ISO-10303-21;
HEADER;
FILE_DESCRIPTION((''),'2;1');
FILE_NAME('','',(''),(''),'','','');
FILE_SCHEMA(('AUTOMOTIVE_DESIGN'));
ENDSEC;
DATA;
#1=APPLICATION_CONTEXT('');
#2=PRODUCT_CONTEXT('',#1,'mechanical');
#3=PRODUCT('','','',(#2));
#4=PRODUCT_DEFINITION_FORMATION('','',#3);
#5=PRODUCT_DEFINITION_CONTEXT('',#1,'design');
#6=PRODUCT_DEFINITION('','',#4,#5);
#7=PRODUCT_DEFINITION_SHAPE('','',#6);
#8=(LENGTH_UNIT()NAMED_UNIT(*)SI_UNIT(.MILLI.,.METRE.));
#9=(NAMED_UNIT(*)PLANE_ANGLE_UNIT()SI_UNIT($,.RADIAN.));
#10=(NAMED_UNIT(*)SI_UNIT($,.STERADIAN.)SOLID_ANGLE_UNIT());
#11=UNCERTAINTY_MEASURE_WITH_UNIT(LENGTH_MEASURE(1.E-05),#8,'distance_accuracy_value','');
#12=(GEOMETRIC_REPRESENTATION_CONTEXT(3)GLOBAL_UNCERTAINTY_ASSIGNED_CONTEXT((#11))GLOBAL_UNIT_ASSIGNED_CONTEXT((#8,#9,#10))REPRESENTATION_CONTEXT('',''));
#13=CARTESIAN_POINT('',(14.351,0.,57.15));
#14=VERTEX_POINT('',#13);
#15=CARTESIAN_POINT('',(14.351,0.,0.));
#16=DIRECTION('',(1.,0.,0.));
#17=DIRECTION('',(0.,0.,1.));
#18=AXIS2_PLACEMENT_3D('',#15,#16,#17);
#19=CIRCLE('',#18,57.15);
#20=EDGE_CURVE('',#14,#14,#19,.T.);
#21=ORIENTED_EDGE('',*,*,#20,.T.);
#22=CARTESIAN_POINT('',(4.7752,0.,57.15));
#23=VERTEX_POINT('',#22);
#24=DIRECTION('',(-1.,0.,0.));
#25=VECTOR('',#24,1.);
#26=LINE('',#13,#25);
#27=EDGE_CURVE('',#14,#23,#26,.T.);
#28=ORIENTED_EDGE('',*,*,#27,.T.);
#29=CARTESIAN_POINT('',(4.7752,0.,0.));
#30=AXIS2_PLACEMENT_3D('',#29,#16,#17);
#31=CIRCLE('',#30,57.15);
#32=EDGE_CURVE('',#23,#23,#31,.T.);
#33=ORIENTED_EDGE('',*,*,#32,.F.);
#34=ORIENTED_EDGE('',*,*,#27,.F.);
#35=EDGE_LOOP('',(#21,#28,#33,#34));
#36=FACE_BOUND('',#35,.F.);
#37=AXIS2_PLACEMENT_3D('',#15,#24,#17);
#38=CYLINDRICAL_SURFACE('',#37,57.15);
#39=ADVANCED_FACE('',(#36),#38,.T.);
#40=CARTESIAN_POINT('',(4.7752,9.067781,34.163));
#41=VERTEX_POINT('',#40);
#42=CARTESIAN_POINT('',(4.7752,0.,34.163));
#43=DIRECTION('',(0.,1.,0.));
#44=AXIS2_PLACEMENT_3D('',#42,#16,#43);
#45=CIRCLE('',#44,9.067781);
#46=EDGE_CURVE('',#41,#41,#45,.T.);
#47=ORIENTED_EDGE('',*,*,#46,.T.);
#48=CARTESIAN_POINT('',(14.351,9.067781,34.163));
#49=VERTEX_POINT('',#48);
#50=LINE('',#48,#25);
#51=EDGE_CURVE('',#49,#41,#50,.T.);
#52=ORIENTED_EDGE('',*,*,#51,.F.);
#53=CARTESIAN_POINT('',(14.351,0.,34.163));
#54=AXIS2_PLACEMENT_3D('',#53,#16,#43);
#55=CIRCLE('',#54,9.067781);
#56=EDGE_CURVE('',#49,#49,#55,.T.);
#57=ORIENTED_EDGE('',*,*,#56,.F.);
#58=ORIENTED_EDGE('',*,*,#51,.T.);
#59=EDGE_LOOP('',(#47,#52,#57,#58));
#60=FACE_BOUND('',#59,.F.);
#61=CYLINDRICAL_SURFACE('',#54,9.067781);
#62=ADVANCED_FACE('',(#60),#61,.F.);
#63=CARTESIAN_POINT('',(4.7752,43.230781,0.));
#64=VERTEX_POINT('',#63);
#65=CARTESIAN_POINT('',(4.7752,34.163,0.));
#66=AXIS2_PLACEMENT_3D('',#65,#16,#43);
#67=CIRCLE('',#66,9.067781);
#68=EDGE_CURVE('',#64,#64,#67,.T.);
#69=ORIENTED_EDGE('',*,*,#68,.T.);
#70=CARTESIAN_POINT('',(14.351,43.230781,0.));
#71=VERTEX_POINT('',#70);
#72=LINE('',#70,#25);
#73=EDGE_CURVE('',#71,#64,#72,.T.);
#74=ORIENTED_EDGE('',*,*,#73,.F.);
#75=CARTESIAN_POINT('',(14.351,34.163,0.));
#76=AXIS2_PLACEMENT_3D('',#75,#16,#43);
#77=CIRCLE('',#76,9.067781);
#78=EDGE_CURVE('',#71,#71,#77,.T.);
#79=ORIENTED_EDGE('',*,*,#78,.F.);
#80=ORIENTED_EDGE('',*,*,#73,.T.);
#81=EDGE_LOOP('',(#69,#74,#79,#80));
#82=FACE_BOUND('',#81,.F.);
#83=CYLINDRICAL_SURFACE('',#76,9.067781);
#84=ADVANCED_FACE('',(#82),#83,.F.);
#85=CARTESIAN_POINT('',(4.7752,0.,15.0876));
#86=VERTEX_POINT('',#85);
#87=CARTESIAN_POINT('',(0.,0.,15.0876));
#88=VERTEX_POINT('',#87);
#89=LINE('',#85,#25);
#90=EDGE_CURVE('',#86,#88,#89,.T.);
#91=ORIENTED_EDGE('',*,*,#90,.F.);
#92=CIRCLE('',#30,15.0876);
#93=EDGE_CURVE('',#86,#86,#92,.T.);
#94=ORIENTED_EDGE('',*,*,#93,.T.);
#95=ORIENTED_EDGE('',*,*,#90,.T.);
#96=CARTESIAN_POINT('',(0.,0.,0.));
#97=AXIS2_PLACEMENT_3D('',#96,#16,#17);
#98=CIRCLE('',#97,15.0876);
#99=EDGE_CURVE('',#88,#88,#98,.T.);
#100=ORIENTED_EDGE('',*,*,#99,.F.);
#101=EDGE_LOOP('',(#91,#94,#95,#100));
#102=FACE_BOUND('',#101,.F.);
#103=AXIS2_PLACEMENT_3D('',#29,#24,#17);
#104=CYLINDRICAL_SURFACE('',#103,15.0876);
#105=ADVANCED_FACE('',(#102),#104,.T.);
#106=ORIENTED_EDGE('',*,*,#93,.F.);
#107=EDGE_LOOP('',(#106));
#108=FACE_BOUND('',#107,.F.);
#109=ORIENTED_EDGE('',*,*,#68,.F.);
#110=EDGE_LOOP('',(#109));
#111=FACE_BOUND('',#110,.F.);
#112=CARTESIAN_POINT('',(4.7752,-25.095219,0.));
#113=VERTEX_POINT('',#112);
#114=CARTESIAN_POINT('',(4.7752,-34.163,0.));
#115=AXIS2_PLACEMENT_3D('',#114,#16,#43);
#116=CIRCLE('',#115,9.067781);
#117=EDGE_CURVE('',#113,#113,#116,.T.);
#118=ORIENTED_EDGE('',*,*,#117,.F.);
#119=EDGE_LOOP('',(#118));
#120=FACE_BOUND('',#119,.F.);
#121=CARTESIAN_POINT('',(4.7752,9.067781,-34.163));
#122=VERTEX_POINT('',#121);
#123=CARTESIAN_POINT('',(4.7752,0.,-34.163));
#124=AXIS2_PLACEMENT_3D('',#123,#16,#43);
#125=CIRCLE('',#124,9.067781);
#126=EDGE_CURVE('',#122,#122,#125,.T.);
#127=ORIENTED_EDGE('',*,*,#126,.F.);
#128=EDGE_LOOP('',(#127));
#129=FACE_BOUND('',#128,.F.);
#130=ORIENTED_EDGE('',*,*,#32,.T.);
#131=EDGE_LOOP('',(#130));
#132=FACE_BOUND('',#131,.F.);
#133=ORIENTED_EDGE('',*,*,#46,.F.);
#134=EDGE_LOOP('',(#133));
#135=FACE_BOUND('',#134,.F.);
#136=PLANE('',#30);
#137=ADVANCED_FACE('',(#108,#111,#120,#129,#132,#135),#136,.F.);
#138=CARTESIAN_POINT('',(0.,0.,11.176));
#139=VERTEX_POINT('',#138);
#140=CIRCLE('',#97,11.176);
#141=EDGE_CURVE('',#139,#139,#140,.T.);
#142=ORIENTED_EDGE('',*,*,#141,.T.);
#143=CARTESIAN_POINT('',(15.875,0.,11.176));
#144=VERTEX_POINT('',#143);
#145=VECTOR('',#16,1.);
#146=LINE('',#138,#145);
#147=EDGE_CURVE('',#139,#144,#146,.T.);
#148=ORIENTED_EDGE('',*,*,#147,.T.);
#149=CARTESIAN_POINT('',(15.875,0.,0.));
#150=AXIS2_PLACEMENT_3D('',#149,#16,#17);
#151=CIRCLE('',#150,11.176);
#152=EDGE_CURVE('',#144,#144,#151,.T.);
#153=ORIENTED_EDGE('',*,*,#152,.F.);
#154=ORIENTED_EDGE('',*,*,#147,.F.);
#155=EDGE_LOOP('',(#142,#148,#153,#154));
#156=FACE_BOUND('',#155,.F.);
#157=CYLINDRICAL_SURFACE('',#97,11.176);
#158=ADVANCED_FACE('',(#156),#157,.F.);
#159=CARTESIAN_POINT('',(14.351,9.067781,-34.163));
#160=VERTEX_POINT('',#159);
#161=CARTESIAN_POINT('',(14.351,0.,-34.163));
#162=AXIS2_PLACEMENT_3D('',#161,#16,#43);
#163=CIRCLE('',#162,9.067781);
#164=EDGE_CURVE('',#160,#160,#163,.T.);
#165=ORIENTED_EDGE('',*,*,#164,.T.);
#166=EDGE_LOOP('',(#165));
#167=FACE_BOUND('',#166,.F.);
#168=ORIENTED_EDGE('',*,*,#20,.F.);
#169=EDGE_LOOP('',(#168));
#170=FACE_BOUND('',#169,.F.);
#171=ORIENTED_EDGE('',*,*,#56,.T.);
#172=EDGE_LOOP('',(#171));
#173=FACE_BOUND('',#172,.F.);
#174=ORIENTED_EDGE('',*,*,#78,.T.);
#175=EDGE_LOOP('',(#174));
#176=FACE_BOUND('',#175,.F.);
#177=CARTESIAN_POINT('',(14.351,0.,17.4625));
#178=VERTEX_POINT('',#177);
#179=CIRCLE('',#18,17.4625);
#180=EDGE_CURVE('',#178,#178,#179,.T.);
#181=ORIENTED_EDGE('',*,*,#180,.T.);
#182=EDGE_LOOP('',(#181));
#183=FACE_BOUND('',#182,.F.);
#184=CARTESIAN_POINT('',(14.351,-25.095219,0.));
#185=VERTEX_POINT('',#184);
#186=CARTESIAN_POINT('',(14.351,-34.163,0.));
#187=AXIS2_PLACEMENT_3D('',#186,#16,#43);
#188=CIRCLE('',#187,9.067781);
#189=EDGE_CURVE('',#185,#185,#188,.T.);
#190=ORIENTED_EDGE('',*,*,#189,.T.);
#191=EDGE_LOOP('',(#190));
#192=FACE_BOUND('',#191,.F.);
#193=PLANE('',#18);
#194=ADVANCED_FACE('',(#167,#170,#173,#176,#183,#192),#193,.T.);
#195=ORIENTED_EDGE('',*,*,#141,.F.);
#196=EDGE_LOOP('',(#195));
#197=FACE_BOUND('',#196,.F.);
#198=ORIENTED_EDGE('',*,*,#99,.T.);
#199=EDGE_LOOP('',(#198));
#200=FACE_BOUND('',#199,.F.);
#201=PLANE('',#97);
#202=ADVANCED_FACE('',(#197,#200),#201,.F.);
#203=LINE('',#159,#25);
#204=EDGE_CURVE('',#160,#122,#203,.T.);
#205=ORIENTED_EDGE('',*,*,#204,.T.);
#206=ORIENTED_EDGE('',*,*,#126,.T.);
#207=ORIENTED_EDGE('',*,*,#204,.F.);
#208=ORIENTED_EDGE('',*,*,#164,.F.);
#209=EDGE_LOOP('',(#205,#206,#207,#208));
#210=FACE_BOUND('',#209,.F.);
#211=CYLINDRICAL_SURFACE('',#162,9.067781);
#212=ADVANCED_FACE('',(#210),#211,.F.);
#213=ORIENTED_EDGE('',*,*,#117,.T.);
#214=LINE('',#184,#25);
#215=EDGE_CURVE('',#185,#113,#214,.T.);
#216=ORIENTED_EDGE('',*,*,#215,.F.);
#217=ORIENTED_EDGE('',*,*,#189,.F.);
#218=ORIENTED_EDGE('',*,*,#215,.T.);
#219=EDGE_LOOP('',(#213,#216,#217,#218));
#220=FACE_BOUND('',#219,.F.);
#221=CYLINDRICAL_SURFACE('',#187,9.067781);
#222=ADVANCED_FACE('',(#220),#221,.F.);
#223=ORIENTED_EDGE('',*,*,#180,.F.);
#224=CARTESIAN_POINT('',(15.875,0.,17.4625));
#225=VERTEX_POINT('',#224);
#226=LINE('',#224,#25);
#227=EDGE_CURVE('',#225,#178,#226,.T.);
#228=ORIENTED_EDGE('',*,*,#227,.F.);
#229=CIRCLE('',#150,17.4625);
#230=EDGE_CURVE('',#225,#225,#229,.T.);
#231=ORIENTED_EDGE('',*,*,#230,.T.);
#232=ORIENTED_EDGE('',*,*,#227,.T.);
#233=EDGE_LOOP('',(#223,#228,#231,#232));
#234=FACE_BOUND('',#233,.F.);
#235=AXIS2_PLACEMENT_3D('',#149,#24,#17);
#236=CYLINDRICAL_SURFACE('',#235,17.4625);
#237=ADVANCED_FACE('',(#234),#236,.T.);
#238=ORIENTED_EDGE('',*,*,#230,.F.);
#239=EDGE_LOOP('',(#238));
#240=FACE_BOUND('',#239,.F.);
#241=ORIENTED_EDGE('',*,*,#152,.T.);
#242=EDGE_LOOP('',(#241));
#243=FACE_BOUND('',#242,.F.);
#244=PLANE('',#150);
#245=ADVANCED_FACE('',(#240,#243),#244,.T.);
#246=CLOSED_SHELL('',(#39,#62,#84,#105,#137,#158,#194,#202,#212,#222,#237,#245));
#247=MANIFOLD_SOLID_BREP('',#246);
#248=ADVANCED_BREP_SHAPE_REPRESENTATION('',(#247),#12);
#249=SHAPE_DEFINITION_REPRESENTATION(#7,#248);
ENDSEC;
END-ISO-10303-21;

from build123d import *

# Parameters (mm, degrees)
F2_R     = 9.067781
F3_DEPTH = 14.352


with BuildPart() as f1:
    # F0 (on Front) → F1 (revolve)
    with BuildSketch(Plane.XZ):
        Polygon((0, 15.0876), (0, 11.176), (15.875, 11.176), (15.875, 17.4625), (14.351, 17.4625), (14.351, 57.15), (4.7752, 57.15), (4.7752, 15.0876), align=None)
    revolve(axis=Axis((1.733171, 0, 0), (1, 0, 0)))

    # F2 (on face) → F3 (cut, through all)
    with BuildSketch(Plane.YZ.offset(14.351)):
        with Locations((-34.163, 0)):
            Circle(F2_R)
        with Locations((0, -34.163)):
            Circle(F2_R)
        with Locations((34.163, 0)):
            Circle(F2_R)
        with Locations((0, 34.163)):
            Circle(F2_R)
    extrude(amount=-F3_DEPTH, mode=Mode.SUBTRACT)


solid = f1.part
